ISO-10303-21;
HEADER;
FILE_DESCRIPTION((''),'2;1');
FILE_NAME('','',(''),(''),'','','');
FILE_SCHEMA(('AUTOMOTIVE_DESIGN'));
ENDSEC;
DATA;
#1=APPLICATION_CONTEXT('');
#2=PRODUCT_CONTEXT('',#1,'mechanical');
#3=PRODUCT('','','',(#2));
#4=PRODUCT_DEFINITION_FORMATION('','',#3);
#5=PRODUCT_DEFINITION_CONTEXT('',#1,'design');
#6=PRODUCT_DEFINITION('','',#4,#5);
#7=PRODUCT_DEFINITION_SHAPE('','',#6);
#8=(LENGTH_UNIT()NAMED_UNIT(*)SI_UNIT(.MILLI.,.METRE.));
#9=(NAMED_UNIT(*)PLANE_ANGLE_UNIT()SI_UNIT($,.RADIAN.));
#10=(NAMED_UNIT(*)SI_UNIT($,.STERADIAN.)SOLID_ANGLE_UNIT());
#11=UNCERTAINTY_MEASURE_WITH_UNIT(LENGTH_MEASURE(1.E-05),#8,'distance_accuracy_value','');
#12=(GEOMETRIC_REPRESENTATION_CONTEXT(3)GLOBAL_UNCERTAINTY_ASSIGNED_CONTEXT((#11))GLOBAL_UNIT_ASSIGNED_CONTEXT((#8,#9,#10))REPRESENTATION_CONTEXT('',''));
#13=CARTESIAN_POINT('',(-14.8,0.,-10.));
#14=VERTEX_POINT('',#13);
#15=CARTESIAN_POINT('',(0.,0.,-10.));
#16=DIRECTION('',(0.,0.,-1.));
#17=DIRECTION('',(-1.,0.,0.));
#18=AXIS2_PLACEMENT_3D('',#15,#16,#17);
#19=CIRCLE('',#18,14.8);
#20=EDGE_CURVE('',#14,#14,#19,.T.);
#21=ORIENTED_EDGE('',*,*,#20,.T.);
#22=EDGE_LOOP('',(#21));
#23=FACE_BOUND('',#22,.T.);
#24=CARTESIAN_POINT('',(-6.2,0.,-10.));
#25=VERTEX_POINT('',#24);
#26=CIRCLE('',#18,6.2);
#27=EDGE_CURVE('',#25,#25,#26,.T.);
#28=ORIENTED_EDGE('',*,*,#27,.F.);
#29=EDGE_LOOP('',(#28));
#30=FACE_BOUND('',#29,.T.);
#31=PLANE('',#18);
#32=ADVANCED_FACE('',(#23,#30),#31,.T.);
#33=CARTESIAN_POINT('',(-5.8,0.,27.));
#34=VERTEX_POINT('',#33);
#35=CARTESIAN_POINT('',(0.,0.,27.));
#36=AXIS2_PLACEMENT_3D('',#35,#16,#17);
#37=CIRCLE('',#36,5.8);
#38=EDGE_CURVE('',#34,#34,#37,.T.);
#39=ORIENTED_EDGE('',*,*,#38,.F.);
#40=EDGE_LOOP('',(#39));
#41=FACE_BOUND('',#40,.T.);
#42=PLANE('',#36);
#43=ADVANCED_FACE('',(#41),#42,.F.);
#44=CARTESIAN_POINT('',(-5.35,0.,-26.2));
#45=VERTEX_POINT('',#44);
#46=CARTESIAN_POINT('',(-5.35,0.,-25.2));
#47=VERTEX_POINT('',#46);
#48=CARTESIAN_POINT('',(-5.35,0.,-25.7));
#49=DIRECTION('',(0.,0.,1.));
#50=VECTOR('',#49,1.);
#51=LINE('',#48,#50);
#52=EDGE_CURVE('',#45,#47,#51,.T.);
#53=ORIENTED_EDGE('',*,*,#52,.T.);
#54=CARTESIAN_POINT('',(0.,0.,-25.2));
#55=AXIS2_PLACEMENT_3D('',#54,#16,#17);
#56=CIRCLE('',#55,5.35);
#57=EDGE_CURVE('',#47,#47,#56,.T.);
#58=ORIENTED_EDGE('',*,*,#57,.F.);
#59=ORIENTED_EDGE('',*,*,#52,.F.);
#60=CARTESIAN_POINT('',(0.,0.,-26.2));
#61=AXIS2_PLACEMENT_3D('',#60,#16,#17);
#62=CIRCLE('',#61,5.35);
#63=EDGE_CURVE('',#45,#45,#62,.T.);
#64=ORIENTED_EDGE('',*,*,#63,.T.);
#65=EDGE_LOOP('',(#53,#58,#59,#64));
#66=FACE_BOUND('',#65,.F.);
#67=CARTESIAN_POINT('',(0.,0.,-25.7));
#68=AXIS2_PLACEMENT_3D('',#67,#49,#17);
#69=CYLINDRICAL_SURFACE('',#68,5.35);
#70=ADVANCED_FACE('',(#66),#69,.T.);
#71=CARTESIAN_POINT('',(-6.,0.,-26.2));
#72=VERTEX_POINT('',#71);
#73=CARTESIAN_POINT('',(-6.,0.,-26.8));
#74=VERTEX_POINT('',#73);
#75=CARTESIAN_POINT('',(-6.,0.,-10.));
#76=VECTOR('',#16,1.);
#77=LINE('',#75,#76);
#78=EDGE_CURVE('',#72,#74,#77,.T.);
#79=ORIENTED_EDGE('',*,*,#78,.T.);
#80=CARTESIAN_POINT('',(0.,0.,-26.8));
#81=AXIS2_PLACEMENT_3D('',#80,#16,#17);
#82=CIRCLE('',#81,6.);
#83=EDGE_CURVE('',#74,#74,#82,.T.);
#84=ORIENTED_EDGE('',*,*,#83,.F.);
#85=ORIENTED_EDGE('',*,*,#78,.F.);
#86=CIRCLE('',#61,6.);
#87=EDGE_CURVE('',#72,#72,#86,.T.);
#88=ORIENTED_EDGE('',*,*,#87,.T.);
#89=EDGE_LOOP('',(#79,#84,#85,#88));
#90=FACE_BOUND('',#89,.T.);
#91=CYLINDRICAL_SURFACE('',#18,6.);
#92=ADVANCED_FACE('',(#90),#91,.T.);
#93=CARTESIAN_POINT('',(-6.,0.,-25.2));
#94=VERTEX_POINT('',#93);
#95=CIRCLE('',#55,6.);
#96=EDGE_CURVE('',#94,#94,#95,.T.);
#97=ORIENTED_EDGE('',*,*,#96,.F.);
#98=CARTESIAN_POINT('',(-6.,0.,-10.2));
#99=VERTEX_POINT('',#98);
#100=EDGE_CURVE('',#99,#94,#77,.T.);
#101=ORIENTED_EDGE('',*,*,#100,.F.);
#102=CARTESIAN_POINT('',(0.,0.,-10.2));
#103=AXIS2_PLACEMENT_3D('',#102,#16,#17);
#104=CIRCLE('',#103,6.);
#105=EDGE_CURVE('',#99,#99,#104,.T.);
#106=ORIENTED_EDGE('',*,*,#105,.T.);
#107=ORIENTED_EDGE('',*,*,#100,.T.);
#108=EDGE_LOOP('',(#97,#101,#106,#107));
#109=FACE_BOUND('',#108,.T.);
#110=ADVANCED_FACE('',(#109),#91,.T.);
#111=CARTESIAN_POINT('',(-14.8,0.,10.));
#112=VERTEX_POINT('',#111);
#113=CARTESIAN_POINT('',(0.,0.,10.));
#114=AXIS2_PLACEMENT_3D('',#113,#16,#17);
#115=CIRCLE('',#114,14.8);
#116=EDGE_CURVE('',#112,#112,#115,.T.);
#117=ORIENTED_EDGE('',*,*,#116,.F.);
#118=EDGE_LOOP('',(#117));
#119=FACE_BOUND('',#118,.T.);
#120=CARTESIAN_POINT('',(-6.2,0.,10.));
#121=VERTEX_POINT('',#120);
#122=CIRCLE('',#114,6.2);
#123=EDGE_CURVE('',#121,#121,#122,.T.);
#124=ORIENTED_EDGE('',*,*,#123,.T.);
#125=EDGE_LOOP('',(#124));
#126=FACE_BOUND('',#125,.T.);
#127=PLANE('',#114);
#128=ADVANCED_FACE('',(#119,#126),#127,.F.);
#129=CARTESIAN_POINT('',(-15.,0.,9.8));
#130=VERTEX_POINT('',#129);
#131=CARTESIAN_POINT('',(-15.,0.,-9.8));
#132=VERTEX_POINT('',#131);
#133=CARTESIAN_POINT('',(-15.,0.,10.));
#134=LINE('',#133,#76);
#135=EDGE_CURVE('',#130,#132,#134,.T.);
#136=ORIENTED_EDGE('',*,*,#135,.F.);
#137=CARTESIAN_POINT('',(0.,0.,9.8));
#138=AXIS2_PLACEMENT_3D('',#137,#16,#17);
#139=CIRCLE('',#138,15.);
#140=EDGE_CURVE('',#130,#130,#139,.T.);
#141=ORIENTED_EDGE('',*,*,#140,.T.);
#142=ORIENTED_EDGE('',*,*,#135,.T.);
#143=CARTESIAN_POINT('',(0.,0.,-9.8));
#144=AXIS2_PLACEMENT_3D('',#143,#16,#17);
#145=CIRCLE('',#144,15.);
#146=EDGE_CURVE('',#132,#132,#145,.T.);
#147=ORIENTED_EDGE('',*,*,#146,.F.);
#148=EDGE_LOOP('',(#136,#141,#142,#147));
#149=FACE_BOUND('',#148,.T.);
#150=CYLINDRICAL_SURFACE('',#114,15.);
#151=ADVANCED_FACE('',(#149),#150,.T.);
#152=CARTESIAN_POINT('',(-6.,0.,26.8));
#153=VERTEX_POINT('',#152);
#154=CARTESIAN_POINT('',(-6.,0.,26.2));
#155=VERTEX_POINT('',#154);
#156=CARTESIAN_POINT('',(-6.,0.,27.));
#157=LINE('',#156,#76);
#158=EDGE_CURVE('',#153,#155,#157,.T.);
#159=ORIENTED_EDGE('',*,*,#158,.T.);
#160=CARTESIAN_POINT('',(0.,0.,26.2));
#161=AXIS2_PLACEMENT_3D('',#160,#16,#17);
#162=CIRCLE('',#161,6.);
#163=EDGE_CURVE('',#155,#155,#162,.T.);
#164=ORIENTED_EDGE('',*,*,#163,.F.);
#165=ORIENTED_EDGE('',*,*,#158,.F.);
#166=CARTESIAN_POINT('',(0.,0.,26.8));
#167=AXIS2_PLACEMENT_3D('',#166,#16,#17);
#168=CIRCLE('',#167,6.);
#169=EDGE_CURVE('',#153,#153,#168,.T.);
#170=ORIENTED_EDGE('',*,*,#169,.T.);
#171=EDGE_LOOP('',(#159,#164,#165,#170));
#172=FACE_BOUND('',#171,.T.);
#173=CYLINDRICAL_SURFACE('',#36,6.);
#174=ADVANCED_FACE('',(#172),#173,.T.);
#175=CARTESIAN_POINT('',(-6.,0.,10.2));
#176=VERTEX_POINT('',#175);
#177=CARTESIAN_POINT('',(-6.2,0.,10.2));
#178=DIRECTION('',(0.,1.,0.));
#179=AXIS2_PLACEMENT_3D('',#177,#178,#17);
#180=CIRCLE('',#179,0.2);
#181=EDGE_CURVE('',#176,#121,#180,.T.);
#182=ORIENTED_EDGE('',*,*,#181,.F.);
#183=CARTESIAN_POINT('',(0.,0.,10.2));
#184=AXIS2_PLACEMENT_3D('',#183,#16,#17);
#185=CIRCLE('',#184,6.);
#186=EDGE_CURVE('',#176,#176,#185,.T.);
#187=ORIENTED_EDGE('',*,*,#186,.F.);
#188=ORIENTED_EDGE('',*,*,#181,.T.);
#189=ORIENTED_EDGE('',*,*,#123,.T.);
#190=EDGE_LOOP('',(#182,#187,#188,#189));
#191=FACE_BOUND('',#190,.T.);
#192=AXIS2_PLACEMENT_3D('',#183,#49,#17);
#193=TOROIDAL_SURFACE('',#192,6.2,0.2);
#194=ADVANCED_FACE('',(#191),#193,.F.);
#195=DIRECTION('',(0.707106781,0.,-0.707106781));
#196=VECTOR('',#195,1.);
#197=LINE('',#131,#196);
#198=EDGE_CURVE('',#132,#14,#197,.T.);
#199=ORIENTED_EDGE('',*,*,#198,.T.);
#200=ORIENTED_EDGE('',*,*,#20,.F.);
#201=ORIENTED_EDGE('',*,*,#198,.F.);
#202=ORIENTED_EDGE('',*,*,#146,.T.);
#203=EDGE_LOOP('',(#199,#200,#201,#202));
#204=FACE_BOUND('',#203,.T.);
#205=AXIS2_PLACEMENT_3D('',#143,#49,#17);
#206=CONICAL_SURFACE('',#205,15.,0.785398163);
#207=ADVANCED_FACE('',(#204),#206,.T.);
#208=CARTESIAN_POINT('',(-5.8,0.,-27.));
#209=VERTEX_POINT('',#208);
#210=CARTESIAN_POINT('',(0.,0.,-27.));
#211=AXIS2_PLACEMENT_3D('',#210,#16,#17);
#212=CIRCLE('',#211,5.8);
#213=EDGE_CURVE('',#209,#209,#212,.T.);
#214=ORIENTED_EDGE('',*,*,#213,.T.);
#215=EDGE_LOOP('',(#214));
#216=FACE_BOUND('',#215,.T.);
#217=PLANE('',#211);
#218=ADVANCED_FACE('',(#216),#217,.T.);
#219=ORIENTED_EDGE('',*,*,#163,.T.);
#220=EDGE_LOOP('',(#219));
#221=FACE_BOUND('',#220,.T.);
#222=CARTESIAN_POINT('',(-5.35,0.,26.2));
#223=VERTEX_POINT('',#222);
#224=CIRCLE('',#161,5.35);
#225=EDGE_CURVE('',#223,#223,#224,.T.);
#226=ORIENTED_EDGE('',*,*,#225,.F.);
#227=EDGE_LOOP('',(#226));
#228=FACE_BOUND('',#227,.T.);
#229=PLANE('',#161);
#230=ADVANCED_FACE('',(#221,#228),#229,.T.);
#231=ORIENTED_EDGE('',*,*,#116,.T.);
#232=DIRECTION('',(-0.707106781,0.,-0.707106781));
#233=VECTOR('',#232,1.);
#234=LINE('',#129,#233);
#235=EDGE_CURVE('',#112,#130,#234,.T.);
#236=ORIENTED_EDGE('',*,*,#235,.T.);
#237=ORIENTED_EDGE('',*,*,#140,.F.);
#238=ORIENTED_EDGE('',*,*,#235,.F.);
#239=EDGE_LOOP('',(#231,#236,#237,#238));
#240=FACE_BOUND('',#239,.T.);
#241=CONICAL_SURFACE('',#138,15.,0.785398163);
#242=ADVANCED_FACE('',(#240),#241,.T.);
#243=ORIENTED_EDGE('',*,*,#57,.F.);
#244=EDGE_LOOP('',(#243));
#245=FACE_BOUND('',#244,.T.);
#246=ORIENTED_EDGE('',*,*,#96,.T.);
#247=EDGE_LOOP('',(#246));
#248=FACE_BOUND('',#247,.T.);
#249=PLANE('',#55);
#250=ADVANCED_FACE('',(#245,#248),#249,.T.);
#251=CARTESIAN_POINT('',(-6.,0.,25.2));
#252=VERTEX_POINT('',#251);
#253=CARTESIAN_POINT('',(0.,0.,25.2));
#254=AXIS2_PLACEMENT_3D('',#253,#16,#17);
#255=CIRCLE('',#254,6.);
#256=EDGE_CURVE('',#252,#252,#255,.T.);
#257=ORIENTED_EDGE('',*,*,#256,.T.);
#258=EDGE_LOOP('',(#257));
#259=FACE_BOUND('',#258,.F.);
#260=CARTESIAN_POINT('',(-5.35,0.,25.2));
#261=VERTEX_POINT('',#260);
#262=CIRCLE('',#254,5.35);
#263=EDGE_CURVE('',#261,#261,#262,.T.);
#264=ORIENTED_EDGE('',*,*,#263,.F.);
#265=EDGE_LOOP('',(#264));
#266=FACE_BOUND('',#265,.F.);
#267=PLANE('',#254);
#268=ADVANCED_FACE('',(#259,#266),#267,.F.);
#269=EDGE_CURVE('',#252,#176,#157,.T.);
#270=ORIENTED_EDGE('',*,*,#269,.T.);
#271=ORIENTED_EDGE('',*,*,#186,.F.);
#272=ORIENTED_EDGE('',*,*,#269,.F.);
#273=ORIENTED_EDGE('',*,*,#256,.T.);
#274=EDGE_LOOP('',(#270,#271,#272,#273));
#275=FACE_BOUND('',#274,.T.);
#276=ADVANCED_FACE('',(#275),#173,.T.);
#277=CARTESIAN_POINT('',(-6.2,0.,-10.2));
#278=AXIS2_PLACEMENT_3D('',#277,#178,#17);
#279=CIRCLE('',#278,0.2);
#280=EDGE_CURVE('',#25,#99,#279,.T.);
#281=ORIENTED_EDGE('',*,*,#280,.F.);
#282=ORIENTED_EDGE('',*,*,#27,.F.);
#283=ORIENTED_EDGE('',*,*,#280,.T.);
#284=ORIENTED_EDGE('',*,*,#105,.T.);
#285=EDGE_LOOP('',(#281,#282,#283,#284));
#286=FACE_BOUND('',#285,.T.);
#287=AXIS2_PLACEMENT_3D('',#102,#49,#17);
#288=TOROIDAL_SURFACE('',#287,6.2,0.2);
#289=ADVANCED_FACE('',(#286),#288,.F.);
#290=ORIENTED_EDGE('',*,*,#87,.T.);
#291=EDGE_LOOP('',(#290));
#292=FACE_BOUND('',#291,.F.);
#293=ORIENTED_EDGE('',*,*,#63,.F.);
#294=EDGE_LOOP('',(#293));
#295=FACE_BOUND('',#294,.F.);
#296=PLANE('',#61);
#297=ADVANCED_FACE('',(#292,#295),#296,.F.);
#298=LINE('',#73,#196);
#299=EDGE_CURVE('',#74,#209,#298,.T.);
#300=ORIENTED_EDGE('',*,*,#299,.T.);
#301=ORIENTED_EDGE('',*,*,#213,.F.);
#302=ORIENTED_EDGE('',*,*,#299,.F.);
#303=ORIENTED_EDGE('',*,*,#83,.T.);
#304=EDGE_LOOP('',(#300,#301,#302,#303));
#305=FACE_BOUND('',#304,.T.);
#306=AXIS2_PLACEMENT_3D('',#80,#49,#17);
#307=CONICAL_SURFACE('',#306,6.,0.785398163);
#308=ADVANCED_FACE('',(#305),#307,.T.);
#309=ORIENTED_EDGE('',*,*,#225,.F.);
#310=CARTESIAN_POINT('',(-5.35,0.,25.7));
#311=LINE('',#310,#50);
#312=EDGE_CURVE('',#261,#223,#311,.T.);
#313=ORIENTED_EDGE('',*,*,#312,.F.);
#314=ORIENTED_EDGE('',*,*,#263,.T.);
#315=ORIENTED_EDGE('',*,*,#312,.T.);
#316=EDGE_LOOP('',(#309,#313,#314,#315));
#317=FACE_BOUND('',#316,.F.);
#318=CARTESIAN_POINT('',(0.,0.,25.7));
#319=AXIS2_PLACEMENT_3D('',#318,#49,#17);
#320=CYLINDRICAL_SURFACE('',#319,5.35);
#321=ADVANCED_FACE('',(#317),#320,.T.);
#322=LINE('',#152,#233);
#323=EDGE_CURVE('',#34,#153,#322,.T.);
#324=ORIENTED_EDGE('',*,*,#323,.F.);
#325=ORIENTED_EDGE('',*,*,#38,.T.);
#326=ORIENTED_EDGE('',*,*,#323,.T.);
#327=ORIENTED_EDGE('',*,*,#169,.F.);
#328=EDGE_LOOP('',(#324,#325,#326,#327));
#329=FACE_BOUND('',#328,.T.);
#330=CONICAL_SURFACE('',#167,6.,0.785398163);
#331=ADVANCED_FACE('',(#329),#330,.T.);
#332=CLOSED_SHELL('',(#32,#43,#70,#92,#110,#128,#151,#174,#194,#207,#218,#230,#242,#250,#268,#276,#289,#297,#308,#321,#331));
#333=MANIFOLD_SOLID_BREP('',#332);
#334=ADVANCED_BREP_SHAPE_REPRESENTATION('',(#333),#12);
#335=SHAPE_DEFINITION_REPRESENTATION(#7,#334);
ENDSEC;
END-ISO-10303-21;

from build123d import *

# Parameters (mm, degrees)
F2_SIZE = 0.2
F3_W    = 0.65
F3_H    = 1
F5_R    = 0.2


with BuildPart() as f1:
    # F0 (on Front) → F1 (revolve)
    with BuildSketch(Plane.XZ):
        Polygon((0, -27), (0, 27), (-6, 27), (-6, 10), (-15, 10), (-15, -10), (-6, -10), (-6, -27), align=None)
    revolve(axis=Axis((0, 0, 3.962264), (0, 0, -1)))

    # F2
    f2_edges = [f1.edges().sort_by_distance(p)[0] for p in [
        (6, 0, 27),
        (15, 0, 10),
        (15, 0, -10),
        (6, 0, -27),
    ]]
    chamfer(f2_edges, length=F2_SIZE)

    # F3 (on Front) → F4 (revolve, cut)
    with BuildSketch(Plane.XZ):
        with Locations((-5.675, 25.7)):
            Rectangle(F3_W, F3_H)
        with Locations((-5.675, -25.7)):
            Rectangle(F3_W, F3_H)
    revolve(axis=Axis((0, 0, -1.776566), (0, 0, -1)), mode=Mode.SUBTRACT)

    # F5
    f5_edges = [f1.edges().sort_by_distance(p)[0] for p in [
        (6, 0, 10),
        (6, 0, -10),
    ]]
    fillet(f5_edges, radius=F5_R)


solid = f1.part
